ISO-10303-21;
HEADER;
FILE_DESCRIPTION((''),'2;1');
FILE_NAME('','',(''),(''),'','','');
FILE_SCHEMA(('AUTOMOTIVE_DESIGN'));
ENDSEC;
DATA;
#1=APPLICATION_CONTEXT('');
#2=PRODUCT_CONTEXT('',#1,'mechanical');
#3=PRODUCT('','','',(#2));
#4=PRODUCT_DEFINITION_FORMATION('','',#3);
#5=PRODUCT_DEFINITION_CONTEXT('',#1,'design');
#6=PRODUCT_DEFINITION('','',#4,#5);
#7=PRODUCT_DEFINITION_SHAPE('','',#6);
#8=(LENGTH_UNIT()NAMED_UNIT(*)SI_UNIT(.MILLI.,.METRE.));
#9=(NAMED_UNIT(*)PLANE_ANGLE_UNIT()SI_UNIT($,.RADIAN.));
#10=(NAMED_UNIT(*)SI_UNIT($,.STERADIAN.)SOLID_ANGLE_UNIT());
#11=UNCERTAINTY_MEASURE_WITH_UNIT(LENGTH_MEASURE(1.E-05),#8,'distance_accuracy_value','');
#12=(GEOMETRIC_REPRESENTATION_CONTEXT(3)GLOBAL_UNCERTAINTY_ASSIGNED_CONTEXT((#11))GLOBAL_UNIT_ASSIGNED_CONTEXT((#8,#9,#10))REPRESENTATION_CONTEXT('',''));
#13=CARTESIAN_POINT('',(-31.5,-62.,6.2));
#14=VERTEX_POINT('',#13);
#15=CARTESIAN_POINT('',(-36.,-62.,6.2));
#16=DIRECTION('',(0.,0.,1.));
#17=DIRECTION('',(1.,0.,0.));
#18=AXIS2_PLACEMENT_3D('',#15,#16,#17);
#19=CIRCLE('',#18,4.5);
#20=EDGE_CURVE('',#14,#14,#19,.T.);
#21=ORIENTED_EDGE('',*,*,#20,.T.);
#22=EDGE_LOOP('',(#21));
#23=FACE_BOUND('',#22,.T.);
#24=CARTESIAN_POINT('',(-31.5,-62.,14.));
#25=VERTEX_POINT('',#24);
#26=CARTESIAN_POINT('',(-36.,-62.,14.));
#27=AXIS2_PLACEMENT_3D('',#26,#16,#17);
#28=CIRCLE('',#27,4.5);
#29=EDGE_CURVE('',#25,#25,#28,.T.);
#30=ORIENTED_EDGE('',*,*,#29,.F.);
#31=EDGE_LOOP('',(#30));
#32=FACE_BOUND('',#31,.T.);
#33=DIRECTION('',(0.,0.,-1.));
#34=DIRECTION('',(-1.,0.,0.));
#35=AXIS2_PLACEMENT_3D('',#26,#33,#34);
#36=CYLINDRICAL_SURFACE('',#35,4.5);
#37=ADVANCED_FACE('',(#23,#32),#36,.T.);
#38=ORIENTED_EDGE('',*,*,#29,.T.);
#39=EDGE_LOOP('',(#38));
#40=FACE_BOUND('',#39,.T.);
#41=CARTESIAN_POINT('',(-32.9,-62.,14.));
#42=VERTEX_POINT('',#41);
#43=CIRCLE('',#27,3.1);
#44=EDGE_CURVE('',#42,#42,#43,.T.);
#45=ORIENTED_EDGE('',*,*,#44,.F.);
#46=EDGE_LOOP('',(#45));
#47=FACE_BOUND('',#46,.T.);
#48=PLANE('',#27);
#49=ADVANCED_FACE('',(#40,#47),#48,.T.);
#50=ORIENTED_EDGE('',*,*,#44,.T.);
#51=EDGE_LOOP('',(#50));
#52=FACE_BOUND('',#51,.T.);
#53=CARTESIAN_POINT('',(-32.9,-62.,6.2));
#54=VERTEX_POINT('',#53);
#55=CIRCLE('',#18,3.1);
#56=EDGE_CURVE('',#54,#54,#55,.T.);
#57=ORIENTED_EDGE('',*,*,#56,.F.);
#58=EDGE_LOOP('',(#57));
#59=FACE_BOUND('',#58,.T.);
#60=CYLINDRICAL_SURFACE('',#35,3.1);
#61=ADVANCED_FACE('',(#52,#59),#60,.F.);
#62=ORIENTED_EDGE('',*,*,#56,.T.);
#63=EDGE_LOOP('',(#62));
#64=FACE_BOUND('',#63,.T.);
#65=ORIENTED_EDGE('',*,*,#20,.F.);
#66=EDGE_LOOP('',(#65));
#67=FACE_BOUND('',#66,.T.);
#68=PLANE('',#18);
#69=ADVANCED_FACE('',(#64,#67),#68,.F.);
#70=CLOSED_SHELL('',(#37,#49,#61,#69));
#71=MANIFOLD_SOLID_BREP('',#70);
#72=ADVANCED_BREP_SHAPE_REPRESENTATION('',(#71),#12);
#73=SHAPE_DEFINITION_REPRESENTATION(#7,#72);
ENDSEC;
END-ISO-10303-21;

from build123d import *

# Parameters (mm, degrees)
SK_CASQUILLO_R   = 4.5
SK_CASQUILLO_R_2 = 3.1
CASQUILLO_DEPTH  = 7.8


with BuildPart() as part:
    # Sk_Casquillo → Casquillo (new body)
    with BuildSketch(Plane.XY.offset(6.2)):
        with Locations((-36, -62)):
            Circle(SK_CASQUILLO_R)
        with Locations((-36, -62)):
            Circle(SK_CASQUILLO_R_2, mode=Mode.SUBTRACT)
    extrude(amount=CASQUILLO_DEPTH)


solid = part.part
